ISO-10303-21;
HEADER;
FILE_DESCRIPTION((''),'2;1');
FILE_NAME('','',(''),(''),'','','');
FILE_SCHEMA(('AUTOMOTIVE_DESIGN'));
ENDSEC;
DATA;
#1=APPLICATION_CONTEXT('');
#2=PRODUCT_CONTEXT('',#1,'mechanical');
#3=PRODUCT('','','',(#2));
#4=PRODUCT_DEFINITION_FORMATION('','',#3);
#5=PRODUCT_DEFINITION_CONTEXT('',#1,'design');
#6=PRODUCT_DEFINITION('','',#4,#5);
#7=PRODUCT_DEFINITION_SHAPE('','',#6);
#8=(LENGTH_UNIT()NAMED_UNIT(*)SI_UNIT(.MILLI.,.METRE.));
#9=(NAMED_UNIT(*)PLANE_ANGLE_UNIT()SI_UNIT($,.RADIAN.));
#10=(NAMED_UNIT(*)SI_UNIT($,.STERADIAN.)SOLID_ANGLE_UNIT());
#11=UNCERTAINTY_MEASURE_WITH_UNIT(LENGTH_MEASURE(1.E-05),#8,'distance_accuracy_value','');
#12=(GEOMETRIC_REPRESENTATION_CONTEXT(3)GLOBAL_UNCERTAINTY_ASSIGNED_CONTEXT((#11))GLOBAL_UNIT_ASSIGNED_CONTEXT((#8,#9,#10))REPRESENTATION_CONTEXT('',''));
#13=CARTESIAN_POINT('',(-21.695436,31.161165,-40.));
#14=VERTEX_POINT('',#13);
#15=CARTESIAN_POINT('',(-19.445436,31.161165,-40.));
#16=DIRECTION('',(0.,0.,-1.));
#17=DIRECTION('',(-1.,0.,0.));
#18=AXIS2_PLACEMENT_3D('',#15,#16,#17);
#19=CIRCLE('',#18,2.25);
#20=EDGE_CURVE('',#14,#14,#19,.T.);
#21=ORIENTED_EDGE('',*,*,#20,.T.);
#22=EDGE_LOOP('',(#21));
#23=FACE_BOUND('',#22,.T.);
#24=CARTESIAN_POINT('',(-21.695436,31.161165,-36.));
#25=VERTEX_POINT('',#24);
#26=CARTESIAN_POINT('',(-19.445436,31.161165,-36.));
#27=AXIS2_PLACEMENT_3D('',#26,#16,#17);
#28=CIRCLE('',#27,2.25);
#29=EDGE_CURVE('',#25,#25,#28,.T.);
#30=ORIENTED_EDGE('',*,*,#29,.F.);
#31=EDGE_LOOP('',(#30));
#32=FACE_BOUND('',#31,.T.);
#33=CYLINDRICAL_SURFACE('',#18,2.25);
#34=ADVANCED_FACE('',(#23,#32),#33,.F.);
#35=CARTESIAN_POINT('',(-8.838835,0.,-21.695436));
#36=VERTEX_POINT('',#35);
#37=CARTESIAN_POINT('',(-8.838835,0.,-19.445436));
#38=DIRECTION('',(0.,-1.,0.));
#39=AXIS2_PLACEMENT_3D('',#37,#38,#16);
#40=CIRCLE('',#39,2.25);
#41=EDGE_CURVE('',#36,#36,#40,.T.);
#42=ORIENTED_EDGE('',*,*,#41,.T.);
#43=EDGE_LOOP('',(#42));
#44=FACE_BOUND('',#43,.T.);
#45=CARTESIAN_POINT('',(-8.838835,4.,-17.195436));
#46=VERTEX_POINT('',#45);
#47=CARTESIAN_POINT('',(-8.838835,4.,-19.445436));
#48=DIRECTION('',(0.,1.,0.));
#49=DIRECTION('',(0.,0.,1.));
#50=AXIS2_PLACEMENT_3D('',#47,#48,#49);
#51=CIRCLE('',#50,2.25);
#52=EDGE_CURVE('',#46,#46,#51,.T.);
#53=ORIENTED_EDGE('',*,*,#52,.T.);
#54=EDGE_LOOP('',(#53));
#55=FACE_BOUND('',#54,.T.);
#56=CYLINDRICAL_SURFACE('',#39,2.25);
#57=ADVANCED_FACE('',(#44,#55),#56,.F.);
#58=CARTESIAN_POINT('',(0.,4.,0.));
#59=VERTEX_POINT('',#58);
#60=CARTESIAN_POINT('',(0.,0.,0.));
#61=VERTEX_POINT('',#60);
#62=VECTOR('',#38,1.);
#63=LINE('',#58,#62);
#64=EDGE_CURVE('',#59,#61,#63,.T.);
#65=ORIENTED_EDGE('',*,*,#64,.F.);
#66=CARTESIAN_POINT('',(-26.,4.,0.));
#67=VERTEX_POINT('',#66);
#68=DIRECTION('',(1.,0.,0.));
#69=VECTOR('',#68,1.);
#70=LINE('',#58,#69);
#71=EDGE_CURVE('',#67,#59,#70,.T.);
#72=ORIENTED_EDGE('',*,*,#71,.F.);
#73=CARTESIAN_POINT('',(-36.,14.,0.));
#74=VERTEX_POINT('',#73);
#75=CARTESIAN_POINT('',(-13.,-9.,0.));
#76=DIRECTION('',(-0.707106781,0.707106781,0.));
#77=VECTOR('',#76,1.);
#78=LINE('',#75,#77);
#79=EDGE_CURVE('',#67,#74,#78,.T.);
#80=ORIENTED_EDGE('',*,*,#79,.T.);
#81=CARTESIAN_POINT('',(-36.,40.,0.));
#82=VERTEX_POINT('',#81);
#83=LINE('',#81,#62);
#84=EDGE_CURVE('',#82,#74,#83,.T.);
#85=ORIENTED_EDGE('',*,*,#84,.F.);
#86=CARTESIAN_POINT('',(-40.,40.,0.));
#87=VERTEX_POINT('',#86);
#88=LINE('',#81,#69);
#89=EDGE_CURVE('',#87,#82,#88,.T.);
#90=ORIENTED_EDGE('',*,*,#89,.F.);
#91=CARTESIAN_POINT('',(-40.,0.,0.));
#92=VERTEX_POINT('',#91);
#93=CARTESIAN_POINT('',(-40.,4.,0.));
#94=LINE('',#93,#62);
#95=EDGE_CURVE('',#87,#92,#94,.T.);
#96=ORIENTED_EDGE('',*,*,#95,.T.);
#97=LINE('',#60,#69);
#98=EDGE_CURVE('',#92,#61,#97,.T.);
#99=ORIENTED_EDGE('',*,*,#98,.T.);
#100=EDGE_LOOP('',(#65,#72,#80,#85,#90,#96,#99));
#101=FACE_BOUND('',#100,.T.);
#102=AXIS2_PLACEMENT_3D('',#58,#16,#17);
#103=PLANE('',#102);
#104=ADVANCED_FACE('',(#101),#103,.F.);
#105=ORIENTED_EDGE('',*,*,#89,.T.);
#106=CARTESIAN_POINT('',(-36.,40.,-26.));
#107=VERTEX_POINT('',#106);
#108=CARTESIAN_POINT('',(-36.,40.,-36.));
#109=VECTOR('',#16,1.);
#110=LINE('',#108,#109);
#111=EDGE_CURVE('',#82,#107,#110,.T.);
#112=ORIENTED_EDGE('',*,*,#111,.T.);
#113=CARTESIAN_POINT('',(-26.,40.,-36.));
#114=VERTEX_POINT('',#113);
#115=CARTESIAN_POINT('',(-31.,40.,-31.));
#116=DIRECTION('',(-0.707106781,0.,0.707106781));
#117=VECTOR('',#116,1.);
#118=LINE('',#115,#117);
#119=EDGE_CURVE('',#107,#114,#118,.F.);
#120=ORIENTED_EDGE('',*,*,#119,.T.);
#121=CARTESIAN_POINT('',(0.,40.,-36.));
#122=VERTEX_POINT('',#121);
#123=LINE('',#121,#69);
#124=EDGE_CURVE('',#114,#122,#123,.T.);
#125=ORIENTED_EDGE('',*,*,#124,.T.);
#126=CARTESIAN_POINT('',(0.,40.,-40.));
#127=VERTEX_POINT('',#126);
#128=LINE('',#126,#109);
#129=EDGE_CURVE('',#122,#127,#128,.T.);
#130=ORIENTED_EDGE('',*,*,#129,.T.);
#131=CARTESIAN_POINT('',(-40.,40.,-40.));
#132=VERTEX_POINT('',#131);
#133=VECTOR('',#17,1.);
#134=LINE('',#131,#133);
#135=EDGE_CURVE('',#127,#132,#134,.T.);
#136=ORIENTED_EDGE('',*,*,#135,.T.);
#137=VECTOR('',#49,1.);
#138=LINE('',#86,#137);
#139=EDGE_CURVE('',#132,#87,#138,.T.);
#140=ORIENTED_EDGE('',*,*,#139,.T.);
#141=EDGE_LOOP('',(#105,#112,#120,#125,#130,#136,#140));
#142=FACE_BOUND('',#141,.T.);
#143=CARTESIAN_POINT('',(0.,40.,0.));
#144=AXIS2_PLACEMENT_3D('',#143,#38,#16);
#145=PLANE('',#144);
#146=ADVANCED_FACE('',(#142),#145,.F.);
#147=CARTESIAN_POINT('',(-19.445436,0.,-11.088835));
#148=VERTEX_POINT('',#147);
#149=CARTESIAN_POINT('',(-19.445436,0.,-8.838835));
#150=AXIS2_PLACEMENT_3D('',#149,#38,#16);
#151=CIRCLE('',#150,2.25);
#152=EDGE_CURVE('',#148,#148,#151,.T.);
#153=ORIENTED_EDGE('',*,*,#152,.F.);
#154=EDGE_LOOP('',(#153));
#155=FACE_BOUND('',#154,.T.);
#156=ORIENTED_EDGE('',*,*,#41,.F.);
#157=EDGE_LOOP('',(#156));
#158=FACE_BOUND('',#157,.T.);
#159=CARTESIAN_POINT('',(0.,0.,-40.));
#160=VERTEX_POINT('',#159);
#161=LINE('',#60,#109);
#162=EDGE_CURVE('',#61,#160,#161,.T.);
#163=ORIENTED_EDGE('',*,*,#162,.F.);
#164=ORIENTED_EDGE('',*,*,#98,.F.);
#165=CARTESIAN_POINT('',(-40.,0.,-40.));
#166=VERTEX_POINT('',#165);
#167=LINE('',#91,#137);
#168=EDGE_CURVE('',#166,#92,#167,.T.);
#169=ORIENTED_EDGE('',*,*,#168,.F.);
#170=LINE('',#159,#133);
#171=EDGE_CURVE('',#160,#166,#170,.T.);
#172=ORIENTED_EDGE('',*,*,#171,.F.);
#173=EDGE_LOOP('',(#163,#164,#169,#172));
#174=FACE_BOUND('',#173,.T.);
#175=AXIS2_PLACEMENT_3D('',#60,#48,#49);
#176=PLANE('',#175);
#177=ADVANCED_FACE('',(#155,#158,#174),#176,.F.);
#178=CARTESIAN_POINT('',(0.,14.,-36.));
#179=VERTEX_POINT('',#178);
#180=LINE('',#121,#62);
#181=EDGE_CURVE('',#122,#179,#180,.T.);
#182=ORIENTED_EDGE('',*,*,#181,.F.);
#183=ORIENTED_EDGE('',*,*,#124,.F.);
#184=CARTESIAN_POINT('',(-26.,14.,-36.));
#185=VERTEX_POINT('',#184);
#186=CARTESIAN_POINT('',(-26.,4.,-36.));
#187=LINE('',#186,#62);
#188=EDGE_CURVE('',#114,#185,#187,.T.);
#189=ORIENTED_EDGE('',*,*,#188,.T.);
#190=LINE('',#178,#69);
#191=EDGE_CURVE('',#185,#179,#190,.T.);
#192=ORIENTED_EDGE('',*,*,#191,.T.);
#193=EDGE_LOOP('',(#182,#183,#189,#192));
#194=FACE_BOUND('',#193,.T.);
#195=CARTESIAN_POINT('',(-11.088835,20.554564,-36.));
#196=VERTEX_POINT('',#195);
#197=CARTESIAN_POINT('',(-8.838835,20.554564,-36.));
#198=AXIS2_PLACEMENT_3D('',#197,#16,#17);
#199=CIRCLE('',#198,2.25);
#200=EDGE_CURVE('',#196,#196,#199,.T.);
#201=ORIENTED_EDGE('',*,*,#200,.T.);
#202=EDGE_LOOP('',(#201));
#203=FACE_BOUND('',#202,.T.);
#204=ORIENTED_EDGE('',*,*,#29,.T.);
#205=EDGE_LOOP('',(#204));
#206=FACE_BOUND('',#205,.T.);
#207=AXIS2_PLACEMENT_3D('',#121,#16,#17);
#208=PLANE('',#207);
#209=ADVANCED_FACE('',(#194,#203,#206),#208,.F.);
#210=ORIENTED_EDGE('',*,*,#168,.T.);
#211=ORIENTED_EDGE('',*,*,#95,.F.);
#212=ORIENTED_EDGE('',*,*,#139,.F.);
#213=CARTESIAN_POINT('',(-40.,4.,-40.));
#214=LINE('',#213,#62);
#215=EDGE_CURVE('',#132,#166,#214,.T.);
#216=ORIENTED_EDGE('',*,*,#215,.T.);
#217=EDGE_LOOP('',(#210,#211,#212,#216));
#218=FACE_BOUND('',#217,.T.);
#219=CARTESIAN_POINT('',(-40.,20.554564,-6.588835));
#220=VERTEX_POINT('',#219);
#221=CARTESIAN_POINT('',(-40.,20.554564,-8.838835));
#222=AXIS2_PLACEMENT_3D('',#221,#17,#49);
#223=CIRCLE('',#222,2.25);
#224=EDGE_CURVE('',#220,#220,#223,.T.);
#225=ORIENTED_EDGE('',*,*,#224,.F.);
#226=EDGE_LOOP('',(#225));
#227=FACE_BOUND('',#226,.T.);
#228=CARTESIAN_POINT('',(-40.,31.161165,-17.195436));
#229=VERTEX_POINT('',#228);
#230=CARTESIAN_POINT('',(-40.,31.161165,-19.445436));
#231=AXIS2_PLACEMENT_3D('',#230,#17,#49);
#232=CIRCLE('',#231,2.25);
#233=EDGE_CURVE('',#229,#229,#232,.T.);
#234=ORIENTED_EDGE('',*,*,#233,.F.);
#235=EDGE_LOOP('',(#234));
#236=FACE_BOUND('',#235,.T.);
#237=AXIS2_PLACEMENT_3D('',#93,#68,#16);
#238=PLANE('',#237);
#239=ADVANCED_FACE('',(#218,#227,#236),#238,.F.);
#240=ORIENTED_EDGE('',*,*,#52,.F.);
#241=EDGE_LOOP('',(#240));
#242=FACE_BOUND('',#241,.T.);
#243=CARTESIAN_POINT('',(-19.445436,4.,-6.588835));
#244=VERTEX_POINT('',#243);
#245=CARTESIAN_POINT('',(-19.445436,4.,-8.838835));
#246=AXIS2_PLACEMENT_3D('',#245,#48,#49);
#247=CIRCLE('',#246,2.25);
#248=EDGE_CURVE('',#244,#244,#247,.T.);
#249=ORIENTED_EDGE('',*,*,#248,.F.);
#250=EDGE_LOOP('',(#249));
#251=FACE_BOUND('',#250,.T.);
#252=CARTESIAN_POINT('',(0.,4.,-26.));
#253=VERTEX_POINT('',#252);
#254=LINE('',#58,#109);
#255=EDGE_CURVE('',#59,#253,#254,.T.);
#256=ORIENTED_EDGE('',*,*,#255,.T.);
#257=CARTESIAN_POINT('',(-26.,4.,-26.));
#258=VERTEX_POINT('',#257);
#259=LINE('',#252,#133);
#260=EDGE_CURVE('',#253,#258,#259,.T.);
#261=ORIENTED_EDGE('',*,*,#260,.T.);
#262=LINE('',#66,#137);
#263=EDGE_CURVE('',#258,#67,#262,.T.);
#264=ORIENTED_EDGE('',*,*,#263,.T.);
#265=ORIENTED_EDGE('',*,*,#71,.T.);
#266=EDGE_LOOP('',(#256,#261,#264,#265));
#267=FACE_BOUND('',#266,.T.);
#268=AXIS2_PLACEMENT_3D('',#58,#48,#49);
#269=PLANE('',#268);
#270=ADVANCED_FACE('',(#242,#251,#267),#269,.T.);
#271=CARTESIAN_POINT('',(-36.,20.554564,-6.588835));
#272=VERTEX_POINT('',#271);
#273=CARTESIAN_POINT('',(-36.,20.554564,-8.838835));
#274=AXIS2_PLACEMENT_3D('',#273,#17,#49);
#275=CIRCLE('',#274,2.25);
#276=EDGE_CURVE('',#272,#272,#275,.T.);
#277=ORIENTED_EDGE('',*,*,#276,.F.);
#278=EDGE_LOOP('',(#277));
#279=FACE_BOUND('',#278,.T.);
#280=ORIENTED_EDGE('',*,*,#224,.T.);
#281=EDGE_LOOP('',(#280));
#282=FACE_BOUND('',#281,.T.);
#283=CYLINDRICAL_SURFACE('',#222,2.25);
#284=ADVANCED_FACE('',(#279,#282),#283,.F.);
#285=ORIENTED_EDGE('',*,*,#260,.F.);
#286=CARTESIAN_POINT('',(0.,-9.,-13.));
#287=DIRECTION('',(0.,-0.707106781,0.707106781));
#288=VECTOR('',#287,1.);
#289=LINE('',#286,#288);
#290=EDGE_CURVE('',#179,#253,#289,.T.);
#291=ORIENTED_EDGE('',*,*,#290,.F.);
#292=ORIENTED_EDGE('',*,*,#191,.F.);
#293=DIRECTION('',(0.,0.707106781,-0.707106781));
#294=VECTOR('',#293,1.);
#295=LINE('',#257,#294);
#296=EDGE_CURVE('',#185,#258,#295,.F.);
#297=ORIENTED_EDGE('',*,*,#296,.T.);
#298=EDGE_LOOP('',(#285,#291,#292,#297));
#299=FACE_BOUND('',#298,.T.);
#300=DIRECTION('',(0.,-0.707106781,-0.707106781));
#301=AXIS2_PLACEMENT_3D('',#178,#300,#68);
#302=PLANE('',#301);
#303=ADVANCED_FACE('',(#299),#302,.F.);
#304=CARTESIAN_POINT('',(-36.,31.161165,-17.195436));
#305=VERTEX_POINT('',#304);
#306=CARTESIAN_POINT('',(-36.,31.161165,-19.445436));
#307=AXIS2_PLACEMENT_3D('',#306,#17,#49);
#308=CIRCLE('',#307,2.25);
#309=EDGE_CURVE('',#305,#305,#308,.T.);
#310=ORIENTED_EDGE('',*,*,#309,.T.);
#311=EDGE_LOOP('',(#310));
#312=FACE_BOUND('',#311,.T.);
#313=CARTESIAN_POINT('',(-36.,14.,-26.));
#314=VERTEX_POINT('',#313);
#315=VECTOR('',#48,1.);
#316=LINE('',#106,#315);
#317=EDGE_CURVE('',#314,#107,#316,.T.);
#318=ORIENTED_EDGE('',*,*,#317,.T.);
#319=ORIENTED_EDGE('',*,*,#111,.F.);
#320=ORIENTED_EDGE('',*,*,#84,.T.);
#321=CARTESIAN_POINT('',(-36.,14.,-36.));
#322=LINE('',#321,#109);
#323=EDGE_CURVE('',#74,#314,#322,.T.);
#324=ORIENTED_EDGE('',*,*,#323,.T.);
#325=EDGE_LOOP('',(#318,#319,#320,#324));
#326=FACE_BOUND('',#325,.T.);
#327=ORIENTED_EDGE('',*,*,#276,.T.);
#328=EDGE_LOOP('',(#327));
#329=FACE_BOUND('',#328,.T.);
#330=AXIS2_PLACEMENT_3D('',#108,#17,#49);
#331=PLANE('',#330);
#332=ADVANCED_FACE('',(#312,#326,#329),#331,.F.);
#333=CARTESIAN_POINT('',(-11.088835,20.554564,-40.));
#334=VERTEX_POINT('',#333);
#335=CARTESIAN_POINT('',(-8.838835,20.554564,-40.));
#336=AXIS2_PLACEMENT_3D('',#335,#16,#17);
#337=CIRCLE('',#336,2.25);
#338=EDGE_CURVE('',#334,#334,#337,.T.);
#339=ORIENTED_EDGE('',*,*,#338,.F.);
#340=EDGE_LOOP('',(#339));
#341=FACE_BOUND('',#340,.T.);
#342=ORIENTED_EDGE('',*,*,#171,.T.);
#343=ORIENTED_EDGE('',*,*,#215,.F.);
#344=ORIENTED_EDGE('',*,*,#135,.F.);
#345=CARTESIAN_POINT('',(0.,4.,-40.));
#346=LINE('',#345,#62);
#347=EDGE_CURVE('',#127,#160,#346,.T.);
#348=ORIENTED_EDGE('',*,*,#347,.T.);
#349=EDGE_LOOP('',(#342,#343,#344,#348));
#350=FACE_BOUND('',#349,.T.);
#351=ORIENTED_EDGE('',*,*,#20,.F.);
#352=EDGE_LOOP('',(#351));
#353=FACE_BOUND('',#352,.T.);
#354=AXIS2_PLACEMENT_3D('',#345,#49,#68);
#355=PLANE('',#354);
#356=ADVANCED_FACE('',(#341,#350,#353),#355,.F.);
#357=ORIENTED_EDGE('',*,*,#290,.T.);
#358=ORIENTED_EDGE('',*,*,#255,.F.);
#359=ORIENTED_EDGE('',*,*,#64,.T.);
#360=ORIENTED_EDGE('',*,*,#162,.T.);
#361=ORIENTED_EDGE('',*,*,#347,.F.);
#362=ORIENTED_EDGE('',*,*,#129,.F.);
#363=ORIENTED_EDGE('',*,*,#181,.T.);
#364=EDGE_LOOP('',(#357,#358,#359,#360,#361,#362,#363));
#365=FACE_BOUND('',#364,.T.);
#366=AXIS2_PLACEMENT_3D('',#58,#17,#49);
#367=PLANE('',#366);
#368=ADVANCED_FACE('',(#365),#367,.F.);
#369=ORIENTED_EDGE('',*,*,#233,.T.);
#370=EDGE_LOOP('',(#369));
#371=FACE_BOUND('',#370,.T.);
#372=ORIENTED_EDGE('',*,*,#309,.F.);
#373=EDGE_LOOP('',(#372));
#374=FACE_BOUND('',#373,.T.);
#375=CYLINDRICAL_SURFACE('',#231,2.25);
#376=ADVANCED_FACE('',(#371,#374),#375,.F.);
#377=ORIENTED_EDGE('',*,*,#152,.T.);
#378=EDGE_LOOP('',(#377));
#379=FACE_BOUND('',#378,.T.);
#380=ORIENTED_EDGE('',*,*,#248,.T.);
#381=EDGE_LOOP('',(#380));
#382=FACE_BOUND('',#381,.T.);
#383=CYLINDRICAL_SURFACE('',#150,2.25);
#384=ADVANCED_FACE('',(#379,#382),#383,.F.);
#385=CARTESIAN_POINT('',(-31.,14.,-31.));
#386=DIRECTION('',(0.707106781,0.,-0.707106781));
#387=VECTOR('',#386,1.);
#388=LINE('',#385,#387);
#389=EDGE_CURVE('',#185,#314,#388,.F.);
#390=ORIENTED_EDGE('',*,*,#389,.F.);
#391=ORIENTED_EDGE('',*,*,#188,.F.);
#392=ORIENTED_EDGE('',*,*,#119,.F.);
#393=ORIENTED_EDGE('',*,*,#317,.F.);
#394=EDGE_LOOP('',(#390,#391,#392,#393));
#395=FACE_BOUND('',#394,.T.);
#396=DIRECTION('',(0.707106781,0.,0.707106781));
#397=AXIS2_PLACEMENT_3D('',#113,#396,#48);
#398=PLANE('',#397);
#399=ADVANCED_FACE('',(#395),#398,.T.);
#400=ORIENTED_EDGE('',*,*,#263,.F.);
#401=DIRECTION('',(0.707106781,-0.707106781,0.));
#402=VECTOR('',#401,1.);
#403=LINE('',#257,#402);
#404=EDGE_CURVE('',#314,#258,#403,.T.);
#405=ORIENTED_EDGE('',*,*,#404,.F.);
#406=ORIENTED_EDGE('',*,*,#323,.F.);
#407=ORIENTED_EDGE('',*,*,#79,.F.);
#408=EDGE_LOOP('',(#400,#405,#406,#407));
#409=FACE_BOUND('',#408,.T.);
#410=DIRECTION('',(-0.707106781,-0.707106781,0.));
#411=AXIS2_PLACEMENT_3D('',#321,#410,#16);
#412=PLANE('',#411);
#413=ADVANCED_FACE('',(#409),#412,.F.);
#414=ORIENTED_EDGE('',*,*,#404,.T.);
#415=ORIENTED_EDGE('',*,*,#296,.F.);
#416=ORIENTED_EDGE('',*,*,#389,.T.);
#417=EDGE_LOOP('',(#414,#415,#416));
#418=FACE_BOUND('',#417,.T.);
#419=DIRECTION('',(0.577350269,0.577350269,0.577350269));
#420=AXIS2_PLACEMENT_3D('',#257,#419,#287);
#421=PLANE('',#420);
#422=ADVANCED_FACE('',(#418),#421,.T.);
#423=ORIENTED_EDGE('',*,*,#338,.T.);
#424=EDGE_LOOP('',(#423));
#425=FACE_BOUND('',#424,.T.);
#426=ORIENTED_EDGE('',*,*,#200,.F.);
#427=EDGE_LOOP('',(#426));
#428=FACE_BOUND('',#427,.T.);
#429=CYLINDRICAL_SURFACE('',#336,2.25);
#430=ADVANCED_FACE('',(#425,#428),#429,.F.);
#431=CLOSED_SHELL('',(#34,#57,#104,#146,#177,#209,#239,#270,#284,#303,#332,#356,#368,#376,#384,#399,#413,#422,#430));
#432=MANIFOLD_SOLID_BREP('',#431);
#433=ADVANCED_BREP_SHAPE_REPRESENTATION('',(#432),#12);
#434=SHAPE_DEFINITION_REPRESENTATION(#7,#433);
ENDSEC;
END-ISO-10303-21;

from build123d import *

# Parameters (mm, degrees)
SCHIZZO1_W                   = 40
SCHIZZO1_H                   = 40
ESTRUSIONE_ESTRUSIONE1_DEPTH = 4
ESTRUSIONE_ESTRUSIONE2_DEPTH = 36
SMUSSO1_SIZE                 = 10
FORO_PER_VITE_M4_1_D         = 4.5
FORO_PER_VITE_M4_1_DEPTH     = 9
FORO_PER_VITE_M4_1_TIP       = 1.351936393
FORO_PER_VITE_M4_2_D         = 4.5
FORO_PER_VITE_M4_2_DEPTH     = 9
FORO_PER_VITE_M4_2_TIP       = 1.351936393
FORO_PER_VITE_M4_3_D         = 4.5
FORO_PER_VITE_M4_3_DEPTH     = 9
FORO_PER_VITE_M4_3_TIP       = 1.351936393


with BuildPart() as part:
    # Schizzo1 → Estrusione-Estrusione1 (new body)
    with BuildSketch(Plane(origin=(0, 0, 0), x_dir=(1, 0, 0), z_dir=(0, 1, 0))):
        with Locations((-20, 20)):
            Rectangle(SCHIZZO1_W, SCHIZZO1_H)
    extrude(amount=ESTRUSIONE_ESTRUSIONE1_DEPTH)

    # Schizzo2 → Estrusione-Estrusione2 (add)
    with BuildSketch(Plane(origin=(0, 4, 0), x_dir=(1, 0, 0), z_dir=(0, 1, 0))):
        Polygon((-36, 0), (-40, 0), (-40, 40), (0, 40), (0, 36), (-36, 36), align=None)
    extrude(amount=ESTRUSIONE_ESTRUSIONE2_DEPTH)

    # Smusso1
    smusso1_edges = [part.edges().sort_by_distance(p)[0] for p in [
        (-36, 4, -18),
        (-18, 4, -36),
        (-36, 22, -36),
    ]]
    chamfer(smusso1_edges, length=SMUSSO1_SIZE)

    # Foro per Vite M4-1
    with Locations(Plane(origin=(0, 0, 0), x_dir=(-1, 0, 0), z_dir=(0, -1, 0))):
        with Locations((8.838834765, 19.445436483), (19.445436483, 8.838834765)):
            Hole(FORO_PER_VITE_M4_1_D / 2, depth=FORO_PER_VITE_M4_1_DEPTH)
            with Locations((0, 0, -(FORO_PER_VITE_M4_1_DEPTH + FORO_PER_VITE_M4_1_TIP / 2))):  # 118° drill point
                Cone(0, FORO_PER_VITE_M4_1_D / 2, FORO_PER_VITE_M4_1_TIP, mode=Mode.SUBTRACT)

    # Foro per Vite M4-2
    with Locations(Plane(origin=(0, 0, -40), x_dir=(-1, 0, 0), z_dir=(0, 0, -1))):
        with Locations((8.838834765, 20.554563517), (19.445436483, 31.161165235)):
            Hole(FORO_PER_VITE_M4_2_D / 2, depth=FORO_PER_VITE_M4_2_DEPTH)
            with Locations((0, 0, -(FORO_PER_VITE_M4_2_DEPTH + FORO_PER_VITE_M4_2_TIP / 2))):  # 118° drill point
                Cone(0, FORO_PER_VITE_M4_2_D / 2, FORO_PER_VITE_M4_2_TIP, mode=Mode.SUBTRACT)

    # Foro per Vite M4-3
    with Locations(Plane.ZY.offset(40)):
        with Locations((-19.445436483, 31.161165235), (-8.838834765, 20.554563517)):
            Hole(FORO_PER_VITE_M4_3_D / 2, depth=FORO_PER_VITE_M4_3_DEPTH)
            with Locations((0, 0, -(FORO_PER_VITE_M4_3_DEPTH + FORO_PER_VITE_M4_3_TIP / 2))):  # 118° drill point
                Cone(0, FORO_PER_VITE_M4_3_D / 2, FORO_PER_VITE_M4_3_TIP, mode=Mode.SUBTRACT)


solid = part.part
